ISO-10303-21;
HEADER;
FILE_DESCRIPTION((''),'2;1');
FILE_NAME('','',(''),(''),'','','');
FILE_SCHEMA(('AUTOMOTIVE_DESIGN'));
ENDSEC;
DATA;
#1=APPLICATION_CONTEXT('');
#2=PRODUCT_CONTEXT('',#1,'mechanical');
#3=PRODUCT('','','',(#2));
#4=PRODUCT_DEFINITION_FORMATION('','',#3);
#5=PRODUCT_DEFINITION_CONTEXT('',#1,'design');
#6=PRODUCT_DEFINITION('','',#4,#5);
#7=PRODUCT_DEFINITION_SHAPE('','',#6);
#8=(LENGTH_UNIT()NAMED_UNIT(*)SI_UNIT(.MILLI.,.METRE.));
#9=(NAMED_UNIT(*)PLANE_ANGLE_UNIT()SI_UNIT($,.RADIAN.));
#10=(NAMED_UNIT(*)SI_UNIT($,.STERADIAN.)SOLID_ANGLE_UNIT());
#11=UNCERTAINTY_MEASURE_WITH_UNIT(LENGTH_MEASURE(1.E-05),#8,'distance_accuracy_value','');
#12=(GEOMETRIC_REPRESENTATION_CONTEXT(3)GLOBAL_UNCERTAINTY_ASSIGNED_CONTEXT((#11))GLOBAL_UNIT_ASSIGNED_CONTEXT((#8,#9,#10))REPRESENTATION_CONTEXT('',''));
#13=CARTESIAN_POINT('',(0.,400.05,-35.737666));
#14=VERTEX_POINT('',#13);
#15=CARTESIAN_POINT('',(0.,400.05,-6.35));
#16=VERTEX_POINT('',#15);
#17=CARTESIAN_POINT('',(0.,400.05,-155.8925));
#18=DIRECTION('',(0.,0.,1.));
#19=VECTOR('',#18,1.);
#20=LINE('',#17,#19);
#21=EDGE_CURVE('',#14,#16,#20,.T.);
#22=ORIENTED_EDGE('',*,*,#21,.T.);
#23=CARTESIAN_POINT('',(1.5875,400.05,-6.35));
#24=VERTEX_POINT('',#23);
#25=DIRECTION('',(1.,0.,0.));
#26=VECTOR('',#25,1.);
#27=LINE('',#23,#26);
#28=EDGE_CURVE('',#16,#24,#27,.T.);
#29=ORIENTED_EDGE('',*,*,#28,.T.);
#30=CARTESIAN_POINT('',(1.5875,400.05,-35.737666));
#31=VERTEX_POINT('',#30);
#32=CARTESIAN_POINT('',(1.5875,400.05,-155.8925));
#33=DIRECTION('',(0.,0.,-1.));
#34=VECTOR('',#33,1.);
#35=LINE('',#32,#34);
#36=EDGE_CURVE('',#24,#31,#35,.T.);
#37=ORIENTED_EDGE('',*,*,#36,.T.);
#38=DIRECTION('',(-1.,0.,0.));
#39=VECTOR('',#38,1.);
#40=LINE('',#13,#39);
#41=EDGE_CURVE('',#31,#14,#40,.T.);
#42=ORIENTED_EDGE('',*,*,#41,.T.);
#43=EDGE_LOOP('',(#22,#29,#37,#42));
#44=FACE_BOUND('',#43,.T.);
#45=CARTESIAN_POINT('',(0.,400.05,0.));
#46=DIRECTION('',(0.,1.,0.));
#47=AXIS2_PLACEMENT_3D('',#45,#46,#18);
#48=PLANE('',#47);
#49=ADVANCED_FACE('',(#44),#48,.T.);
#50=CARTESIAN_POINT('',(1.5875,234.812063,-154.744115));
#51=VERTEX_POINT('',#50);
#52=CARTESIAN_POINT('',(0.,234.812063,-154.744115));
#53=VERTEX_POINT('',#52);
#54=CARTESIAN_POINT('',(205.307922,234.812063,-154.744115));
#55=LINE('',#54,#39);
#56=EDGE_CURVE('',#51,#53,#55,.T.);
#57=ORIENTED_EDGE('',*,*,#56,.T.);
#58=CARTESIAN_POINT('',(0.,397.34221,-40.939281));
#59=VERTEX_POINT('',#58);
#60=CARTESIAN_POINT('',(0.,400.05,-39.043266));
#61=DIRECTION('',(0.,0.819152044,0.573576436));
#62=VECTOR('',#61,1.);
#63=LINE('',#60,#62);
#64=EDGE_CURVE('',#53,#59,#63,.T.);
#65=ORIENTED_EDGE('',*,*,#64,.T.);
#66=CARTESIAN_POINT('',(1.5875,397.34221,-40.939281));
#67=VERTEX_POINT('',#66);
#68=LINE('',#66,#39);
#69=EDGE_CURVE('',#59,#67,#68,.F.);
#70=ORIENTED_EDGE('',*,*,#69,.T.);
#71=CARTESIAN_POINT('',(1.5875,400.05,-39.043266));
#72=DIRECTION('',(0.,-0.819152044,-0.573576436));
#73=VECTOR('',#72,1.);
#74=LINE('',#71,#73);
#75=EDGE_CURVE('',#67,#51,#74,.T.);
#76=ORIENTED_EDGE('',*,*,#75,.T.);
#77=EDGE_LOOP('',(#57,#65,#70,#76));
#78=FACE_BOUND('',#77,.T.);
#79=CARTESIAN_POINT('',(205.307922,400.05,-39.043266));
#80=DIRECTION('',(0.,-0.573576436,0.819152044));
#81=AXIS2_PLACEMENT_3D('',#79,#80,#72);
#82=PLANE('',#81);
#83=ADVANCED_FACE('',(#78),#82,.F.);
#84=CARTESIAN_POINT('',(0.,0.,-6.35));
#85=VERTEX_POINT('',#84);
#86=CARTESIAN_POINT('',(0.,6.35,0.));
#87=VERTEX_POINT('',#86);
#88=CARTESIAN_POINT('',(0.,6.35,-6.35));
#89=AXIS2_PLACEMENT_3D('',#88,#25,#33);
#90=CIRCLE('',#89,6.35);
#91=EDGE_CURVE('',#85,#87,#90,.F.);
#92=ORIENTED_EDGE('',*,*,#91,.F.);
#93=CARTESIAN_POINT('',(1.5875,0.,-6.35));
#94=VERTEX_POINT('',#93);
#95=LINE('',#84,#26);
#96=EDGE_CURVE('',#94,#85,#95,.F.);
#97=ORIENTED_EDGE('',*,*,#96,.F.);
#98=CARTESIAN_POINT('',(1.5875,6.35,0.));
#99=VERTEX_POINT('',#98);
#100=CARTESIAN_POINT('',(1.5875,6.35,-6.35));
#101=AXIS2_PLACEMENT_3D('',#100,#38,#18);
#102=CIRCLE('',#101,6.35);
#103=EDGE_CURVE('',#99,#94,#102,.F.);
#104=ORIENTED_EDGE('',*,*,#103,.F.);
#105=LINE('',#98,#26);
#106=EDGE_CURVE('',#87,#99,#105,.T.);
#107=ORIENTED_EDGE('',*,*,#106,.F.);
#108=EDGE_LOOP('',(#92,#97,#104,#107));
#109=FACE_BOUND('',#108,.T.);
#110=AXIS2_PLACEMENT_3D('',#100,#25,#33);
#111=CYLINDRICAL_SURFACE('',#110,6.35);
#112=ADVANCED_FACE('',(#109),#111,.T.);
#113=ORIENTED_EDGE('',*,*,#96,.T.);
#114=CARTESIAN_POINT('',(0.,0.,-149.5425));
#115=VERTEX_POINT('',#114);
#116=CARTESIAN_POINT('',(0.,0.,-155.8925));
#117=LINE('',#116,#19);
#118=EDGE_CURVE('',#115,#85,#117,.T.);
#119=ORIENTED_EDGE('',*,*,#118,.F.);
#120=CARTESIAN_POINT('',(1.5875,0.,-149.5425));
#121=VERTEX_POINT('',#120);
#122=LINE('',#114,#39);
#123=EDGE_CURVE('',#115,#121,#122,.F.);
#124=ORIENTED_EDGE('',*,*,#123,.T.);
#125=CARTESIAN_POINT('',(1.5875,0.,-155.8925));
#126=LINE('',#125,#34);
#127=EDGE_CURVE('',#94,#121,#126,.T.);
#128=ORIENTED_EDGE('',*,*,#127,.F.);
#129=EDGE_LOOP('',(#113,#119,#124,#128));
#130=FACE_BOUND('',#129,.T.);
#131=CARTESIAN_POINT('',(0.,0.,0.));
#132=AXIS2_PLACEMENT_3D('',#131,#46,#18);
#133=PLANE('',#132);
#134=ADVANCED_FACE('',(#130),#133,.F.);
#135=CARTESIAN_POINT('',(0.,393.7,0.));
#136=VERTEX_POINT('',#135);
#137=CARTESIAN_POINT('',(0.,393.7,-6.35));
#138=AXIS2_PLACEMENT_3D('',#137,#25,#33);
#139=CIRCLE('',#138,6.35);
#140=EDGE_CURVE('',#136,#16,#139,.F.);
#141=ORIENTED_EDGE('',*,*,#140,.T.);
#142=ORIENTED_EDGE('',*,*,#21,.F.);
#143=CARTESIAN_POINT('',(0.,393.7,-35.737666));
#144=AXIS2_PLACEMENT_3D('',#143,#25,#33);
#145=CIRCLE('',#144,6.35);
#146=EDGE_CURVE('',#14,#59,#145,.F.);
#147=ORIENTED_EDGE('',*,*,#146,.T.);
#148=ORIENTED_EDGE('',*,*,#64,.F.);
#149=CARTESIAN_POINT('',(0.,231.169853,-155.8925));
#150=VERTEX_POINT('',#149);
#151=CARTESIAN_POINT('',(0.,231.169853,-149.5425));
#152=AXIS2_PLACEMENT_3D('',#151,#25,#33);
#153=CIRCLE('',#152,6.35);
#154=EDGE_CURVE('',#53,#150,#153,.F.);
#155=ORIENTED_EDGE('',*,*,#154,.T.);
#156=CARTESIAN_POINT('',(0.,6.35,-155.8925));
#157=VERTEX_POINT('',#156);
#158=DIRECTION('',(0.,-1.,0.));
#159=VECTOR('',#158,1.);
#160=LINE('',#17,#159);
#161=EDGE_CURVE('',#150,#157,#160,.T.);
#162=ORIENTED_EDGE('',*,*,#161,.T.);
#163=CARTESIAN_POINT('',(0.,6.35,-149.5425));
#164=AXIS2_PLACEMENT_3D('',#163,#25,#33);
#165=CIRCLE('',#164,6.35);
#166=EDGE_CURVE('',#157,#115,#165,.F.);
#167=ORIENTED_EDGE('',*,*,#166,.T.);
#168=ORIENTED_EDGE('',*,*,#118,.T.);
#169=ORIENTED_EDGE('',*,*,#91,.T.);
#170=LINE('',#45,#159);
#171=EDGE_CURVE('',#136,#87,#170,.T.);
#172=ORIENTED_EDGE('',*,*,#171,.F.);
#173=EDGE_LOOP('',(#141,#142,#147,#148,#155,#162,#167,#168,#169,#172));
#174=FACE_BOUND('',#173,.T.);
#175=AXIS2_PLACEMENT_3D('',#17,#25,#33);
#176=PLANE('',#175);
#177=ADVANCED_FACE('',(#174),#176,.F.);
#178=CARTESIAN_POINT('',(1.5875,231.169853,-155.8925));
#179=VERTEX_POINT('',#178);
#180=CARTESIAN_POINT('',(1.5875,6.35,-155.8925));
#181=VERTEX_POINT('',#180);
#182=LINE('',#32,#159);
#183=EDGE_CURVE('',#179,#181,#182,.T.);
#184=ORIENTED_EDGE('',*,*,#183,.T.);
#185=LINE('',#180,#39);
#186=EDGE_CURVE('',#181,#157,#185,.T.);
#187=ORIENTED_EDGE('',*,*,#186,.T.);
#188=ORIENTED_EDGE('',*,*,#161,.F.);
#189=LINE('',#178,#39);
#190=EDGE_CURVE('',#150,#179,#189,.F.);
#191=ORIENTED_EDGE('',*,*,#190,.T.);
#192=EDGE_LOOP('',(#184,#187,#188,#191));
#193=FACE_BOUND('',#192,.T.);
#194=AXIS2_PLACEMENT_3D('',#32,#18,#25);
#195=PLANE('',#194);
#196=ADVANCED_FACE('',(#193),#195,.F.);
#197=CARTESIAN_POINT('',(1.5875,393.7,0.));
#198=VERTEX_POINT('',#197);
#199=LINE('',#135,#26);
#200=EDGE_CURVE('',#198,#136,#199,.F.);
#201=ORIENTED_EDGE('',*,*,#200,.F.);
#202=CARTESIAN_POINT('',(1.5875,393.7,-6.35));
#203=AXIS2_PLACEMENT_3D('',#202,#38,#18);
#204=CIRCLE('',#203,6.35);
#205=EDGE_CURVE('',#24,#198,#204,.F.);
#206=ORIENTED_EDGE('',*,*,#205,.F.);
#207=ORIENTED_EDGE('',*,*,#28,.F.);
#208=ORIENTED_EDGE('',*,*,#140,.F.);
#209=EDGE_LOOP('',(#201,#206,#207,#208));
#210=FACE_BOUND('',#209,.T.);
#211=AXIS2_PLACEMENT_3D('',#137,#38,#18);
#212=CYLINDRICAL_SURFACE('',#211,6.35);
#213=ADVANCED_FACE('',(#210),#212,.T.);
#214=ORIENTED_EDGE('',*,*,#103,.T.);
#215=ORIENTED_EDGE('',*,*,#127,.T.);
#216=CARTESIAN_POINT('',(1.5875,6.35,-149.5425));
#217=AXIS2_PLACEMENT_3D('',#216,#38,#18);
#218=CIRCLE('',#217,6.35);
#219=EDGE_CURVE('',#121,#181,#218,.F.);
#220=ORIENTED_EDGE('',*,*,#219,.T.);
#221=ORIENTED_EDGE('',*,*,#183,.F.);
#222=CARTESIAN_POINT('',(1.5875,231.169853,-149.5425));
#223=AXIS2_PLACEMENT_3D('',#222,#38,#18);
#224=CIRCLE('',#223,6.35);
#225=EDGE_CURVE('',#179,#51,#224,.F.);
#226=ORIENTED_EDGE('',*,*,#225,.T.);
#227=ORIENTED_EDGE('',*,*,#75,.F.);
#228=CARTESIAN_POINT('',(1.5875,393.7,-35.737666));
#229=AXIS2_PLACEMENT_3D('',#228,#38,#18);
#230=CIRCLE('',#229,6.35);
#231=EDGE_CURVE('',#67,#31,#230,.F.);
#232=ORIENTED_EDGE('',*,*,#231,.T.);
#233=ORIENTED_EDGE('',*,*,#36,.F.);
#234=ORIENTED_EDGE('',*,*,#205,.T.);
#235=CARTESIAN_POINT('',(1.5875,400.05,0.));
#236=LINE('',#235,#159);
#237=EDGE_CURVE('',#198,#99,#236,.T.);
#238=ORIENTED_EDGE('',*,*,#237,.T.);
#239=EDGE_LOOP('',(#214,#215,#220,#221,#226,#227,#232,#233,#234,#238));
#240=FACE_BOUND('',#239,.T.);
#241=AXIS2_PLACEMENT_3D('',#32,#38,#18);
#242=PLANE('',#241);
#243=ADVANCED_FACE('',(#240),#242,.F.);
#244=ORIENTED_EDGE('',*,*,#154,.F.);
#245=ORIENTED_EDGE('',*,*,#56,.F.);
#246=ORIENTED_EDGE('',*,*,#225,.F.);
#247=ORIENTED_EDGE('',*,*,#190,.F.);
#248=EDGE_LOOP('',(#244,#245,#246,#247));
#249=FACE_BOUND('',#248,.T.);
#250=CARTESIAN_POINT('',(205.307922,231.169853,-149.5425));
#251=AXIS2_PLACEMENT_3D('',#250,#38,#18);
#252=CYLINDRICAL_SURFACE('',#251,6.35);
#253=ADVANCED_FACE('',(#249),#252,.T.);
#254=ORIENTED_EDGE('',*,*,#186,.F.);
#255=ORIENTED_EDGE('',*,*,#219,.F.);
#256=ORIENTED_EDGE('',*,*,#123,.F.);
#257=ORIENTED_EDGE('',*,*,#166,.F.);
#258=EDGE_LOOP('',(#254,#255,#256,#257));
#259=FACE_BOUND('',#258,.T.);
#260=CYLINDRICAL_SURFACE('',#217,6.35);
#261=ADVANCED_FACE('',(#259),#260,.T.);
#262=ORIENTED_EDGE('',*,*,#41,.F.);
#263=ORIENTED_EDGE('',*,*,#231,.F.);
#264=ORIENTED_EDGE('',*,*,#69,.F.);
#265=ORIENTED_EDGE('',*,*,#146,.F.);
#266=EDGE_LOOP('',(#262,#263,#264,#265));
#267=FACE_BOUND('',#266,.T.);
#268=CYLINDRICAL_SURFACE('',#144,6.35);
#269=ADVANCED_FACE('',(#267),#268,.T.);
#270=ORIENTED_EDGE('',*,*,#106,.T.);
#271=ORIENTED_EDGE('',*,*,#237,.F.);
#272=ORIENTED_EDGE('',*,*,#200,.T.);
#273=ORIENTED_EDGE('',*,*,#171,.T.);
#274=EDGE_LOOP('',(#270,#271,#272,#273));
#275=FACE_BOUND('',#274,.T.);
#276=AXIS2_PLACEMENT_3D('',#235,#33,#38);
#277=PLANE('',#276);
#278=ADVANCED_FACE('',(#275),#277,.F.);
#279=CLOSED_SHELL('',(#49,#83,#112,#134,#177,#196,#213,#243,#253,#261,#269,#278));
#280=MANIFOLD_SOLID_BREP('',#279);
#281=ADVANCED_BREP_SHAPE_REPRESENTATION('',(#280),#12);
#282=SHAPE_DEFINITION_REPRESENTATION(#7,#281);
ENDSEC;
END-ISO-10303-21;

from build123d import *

# Parameters (mm, degrees)
SKETCH1_W           = 1.5875
SKETCH1_H           = 155.8925
BOSS_EXTRUDE1_DEPTH = 400.05
CUT_EXTRUDE1_DEPTH  = 1.5875
FILLET1_R           = 6.35


with BuildPart() as part:
    # Sketch1 → Boss-Extrude1 (new body)
    with BuildSketch(Plane(origin=(0, 0, 0), x_dir=(1, 0, 0), z_dir=(0, 1, 0))):
        with Locations((0.79375, 77.94625)):
            Rectangle(SKETCH1_W, SKETCH1_H)
    extrude(amount=BOSS_EXTRUDE1_DEPTH)

    # Sketch2 → Cut-Extrude1 (cut)
    with BuildSketch(Plane.ZY):
        Polygon((-39.043266439, 400.05), (-155.8925, 233.172), (-155.8925, 400.05), align=None)
    extrude(amount=-CUT_EXTRUDE1_DEPTH, mode=Mode.SUBTRACT)

    # Fillet1
    fillet1_edges = [part.edges().sort_by_distance(p)[0] for p in [
        (0.79375, 400.05, -39.043266439),
        (0.79375, 233.172, -155.8925),
        (0.79375, 400.05, 0),
        (0.79375, 0, -155.8925),
        (0.79375, 0, 0),
    ]]
    fillet(fillet1_edges, radius=FILLET1_R)


solid = part.part
